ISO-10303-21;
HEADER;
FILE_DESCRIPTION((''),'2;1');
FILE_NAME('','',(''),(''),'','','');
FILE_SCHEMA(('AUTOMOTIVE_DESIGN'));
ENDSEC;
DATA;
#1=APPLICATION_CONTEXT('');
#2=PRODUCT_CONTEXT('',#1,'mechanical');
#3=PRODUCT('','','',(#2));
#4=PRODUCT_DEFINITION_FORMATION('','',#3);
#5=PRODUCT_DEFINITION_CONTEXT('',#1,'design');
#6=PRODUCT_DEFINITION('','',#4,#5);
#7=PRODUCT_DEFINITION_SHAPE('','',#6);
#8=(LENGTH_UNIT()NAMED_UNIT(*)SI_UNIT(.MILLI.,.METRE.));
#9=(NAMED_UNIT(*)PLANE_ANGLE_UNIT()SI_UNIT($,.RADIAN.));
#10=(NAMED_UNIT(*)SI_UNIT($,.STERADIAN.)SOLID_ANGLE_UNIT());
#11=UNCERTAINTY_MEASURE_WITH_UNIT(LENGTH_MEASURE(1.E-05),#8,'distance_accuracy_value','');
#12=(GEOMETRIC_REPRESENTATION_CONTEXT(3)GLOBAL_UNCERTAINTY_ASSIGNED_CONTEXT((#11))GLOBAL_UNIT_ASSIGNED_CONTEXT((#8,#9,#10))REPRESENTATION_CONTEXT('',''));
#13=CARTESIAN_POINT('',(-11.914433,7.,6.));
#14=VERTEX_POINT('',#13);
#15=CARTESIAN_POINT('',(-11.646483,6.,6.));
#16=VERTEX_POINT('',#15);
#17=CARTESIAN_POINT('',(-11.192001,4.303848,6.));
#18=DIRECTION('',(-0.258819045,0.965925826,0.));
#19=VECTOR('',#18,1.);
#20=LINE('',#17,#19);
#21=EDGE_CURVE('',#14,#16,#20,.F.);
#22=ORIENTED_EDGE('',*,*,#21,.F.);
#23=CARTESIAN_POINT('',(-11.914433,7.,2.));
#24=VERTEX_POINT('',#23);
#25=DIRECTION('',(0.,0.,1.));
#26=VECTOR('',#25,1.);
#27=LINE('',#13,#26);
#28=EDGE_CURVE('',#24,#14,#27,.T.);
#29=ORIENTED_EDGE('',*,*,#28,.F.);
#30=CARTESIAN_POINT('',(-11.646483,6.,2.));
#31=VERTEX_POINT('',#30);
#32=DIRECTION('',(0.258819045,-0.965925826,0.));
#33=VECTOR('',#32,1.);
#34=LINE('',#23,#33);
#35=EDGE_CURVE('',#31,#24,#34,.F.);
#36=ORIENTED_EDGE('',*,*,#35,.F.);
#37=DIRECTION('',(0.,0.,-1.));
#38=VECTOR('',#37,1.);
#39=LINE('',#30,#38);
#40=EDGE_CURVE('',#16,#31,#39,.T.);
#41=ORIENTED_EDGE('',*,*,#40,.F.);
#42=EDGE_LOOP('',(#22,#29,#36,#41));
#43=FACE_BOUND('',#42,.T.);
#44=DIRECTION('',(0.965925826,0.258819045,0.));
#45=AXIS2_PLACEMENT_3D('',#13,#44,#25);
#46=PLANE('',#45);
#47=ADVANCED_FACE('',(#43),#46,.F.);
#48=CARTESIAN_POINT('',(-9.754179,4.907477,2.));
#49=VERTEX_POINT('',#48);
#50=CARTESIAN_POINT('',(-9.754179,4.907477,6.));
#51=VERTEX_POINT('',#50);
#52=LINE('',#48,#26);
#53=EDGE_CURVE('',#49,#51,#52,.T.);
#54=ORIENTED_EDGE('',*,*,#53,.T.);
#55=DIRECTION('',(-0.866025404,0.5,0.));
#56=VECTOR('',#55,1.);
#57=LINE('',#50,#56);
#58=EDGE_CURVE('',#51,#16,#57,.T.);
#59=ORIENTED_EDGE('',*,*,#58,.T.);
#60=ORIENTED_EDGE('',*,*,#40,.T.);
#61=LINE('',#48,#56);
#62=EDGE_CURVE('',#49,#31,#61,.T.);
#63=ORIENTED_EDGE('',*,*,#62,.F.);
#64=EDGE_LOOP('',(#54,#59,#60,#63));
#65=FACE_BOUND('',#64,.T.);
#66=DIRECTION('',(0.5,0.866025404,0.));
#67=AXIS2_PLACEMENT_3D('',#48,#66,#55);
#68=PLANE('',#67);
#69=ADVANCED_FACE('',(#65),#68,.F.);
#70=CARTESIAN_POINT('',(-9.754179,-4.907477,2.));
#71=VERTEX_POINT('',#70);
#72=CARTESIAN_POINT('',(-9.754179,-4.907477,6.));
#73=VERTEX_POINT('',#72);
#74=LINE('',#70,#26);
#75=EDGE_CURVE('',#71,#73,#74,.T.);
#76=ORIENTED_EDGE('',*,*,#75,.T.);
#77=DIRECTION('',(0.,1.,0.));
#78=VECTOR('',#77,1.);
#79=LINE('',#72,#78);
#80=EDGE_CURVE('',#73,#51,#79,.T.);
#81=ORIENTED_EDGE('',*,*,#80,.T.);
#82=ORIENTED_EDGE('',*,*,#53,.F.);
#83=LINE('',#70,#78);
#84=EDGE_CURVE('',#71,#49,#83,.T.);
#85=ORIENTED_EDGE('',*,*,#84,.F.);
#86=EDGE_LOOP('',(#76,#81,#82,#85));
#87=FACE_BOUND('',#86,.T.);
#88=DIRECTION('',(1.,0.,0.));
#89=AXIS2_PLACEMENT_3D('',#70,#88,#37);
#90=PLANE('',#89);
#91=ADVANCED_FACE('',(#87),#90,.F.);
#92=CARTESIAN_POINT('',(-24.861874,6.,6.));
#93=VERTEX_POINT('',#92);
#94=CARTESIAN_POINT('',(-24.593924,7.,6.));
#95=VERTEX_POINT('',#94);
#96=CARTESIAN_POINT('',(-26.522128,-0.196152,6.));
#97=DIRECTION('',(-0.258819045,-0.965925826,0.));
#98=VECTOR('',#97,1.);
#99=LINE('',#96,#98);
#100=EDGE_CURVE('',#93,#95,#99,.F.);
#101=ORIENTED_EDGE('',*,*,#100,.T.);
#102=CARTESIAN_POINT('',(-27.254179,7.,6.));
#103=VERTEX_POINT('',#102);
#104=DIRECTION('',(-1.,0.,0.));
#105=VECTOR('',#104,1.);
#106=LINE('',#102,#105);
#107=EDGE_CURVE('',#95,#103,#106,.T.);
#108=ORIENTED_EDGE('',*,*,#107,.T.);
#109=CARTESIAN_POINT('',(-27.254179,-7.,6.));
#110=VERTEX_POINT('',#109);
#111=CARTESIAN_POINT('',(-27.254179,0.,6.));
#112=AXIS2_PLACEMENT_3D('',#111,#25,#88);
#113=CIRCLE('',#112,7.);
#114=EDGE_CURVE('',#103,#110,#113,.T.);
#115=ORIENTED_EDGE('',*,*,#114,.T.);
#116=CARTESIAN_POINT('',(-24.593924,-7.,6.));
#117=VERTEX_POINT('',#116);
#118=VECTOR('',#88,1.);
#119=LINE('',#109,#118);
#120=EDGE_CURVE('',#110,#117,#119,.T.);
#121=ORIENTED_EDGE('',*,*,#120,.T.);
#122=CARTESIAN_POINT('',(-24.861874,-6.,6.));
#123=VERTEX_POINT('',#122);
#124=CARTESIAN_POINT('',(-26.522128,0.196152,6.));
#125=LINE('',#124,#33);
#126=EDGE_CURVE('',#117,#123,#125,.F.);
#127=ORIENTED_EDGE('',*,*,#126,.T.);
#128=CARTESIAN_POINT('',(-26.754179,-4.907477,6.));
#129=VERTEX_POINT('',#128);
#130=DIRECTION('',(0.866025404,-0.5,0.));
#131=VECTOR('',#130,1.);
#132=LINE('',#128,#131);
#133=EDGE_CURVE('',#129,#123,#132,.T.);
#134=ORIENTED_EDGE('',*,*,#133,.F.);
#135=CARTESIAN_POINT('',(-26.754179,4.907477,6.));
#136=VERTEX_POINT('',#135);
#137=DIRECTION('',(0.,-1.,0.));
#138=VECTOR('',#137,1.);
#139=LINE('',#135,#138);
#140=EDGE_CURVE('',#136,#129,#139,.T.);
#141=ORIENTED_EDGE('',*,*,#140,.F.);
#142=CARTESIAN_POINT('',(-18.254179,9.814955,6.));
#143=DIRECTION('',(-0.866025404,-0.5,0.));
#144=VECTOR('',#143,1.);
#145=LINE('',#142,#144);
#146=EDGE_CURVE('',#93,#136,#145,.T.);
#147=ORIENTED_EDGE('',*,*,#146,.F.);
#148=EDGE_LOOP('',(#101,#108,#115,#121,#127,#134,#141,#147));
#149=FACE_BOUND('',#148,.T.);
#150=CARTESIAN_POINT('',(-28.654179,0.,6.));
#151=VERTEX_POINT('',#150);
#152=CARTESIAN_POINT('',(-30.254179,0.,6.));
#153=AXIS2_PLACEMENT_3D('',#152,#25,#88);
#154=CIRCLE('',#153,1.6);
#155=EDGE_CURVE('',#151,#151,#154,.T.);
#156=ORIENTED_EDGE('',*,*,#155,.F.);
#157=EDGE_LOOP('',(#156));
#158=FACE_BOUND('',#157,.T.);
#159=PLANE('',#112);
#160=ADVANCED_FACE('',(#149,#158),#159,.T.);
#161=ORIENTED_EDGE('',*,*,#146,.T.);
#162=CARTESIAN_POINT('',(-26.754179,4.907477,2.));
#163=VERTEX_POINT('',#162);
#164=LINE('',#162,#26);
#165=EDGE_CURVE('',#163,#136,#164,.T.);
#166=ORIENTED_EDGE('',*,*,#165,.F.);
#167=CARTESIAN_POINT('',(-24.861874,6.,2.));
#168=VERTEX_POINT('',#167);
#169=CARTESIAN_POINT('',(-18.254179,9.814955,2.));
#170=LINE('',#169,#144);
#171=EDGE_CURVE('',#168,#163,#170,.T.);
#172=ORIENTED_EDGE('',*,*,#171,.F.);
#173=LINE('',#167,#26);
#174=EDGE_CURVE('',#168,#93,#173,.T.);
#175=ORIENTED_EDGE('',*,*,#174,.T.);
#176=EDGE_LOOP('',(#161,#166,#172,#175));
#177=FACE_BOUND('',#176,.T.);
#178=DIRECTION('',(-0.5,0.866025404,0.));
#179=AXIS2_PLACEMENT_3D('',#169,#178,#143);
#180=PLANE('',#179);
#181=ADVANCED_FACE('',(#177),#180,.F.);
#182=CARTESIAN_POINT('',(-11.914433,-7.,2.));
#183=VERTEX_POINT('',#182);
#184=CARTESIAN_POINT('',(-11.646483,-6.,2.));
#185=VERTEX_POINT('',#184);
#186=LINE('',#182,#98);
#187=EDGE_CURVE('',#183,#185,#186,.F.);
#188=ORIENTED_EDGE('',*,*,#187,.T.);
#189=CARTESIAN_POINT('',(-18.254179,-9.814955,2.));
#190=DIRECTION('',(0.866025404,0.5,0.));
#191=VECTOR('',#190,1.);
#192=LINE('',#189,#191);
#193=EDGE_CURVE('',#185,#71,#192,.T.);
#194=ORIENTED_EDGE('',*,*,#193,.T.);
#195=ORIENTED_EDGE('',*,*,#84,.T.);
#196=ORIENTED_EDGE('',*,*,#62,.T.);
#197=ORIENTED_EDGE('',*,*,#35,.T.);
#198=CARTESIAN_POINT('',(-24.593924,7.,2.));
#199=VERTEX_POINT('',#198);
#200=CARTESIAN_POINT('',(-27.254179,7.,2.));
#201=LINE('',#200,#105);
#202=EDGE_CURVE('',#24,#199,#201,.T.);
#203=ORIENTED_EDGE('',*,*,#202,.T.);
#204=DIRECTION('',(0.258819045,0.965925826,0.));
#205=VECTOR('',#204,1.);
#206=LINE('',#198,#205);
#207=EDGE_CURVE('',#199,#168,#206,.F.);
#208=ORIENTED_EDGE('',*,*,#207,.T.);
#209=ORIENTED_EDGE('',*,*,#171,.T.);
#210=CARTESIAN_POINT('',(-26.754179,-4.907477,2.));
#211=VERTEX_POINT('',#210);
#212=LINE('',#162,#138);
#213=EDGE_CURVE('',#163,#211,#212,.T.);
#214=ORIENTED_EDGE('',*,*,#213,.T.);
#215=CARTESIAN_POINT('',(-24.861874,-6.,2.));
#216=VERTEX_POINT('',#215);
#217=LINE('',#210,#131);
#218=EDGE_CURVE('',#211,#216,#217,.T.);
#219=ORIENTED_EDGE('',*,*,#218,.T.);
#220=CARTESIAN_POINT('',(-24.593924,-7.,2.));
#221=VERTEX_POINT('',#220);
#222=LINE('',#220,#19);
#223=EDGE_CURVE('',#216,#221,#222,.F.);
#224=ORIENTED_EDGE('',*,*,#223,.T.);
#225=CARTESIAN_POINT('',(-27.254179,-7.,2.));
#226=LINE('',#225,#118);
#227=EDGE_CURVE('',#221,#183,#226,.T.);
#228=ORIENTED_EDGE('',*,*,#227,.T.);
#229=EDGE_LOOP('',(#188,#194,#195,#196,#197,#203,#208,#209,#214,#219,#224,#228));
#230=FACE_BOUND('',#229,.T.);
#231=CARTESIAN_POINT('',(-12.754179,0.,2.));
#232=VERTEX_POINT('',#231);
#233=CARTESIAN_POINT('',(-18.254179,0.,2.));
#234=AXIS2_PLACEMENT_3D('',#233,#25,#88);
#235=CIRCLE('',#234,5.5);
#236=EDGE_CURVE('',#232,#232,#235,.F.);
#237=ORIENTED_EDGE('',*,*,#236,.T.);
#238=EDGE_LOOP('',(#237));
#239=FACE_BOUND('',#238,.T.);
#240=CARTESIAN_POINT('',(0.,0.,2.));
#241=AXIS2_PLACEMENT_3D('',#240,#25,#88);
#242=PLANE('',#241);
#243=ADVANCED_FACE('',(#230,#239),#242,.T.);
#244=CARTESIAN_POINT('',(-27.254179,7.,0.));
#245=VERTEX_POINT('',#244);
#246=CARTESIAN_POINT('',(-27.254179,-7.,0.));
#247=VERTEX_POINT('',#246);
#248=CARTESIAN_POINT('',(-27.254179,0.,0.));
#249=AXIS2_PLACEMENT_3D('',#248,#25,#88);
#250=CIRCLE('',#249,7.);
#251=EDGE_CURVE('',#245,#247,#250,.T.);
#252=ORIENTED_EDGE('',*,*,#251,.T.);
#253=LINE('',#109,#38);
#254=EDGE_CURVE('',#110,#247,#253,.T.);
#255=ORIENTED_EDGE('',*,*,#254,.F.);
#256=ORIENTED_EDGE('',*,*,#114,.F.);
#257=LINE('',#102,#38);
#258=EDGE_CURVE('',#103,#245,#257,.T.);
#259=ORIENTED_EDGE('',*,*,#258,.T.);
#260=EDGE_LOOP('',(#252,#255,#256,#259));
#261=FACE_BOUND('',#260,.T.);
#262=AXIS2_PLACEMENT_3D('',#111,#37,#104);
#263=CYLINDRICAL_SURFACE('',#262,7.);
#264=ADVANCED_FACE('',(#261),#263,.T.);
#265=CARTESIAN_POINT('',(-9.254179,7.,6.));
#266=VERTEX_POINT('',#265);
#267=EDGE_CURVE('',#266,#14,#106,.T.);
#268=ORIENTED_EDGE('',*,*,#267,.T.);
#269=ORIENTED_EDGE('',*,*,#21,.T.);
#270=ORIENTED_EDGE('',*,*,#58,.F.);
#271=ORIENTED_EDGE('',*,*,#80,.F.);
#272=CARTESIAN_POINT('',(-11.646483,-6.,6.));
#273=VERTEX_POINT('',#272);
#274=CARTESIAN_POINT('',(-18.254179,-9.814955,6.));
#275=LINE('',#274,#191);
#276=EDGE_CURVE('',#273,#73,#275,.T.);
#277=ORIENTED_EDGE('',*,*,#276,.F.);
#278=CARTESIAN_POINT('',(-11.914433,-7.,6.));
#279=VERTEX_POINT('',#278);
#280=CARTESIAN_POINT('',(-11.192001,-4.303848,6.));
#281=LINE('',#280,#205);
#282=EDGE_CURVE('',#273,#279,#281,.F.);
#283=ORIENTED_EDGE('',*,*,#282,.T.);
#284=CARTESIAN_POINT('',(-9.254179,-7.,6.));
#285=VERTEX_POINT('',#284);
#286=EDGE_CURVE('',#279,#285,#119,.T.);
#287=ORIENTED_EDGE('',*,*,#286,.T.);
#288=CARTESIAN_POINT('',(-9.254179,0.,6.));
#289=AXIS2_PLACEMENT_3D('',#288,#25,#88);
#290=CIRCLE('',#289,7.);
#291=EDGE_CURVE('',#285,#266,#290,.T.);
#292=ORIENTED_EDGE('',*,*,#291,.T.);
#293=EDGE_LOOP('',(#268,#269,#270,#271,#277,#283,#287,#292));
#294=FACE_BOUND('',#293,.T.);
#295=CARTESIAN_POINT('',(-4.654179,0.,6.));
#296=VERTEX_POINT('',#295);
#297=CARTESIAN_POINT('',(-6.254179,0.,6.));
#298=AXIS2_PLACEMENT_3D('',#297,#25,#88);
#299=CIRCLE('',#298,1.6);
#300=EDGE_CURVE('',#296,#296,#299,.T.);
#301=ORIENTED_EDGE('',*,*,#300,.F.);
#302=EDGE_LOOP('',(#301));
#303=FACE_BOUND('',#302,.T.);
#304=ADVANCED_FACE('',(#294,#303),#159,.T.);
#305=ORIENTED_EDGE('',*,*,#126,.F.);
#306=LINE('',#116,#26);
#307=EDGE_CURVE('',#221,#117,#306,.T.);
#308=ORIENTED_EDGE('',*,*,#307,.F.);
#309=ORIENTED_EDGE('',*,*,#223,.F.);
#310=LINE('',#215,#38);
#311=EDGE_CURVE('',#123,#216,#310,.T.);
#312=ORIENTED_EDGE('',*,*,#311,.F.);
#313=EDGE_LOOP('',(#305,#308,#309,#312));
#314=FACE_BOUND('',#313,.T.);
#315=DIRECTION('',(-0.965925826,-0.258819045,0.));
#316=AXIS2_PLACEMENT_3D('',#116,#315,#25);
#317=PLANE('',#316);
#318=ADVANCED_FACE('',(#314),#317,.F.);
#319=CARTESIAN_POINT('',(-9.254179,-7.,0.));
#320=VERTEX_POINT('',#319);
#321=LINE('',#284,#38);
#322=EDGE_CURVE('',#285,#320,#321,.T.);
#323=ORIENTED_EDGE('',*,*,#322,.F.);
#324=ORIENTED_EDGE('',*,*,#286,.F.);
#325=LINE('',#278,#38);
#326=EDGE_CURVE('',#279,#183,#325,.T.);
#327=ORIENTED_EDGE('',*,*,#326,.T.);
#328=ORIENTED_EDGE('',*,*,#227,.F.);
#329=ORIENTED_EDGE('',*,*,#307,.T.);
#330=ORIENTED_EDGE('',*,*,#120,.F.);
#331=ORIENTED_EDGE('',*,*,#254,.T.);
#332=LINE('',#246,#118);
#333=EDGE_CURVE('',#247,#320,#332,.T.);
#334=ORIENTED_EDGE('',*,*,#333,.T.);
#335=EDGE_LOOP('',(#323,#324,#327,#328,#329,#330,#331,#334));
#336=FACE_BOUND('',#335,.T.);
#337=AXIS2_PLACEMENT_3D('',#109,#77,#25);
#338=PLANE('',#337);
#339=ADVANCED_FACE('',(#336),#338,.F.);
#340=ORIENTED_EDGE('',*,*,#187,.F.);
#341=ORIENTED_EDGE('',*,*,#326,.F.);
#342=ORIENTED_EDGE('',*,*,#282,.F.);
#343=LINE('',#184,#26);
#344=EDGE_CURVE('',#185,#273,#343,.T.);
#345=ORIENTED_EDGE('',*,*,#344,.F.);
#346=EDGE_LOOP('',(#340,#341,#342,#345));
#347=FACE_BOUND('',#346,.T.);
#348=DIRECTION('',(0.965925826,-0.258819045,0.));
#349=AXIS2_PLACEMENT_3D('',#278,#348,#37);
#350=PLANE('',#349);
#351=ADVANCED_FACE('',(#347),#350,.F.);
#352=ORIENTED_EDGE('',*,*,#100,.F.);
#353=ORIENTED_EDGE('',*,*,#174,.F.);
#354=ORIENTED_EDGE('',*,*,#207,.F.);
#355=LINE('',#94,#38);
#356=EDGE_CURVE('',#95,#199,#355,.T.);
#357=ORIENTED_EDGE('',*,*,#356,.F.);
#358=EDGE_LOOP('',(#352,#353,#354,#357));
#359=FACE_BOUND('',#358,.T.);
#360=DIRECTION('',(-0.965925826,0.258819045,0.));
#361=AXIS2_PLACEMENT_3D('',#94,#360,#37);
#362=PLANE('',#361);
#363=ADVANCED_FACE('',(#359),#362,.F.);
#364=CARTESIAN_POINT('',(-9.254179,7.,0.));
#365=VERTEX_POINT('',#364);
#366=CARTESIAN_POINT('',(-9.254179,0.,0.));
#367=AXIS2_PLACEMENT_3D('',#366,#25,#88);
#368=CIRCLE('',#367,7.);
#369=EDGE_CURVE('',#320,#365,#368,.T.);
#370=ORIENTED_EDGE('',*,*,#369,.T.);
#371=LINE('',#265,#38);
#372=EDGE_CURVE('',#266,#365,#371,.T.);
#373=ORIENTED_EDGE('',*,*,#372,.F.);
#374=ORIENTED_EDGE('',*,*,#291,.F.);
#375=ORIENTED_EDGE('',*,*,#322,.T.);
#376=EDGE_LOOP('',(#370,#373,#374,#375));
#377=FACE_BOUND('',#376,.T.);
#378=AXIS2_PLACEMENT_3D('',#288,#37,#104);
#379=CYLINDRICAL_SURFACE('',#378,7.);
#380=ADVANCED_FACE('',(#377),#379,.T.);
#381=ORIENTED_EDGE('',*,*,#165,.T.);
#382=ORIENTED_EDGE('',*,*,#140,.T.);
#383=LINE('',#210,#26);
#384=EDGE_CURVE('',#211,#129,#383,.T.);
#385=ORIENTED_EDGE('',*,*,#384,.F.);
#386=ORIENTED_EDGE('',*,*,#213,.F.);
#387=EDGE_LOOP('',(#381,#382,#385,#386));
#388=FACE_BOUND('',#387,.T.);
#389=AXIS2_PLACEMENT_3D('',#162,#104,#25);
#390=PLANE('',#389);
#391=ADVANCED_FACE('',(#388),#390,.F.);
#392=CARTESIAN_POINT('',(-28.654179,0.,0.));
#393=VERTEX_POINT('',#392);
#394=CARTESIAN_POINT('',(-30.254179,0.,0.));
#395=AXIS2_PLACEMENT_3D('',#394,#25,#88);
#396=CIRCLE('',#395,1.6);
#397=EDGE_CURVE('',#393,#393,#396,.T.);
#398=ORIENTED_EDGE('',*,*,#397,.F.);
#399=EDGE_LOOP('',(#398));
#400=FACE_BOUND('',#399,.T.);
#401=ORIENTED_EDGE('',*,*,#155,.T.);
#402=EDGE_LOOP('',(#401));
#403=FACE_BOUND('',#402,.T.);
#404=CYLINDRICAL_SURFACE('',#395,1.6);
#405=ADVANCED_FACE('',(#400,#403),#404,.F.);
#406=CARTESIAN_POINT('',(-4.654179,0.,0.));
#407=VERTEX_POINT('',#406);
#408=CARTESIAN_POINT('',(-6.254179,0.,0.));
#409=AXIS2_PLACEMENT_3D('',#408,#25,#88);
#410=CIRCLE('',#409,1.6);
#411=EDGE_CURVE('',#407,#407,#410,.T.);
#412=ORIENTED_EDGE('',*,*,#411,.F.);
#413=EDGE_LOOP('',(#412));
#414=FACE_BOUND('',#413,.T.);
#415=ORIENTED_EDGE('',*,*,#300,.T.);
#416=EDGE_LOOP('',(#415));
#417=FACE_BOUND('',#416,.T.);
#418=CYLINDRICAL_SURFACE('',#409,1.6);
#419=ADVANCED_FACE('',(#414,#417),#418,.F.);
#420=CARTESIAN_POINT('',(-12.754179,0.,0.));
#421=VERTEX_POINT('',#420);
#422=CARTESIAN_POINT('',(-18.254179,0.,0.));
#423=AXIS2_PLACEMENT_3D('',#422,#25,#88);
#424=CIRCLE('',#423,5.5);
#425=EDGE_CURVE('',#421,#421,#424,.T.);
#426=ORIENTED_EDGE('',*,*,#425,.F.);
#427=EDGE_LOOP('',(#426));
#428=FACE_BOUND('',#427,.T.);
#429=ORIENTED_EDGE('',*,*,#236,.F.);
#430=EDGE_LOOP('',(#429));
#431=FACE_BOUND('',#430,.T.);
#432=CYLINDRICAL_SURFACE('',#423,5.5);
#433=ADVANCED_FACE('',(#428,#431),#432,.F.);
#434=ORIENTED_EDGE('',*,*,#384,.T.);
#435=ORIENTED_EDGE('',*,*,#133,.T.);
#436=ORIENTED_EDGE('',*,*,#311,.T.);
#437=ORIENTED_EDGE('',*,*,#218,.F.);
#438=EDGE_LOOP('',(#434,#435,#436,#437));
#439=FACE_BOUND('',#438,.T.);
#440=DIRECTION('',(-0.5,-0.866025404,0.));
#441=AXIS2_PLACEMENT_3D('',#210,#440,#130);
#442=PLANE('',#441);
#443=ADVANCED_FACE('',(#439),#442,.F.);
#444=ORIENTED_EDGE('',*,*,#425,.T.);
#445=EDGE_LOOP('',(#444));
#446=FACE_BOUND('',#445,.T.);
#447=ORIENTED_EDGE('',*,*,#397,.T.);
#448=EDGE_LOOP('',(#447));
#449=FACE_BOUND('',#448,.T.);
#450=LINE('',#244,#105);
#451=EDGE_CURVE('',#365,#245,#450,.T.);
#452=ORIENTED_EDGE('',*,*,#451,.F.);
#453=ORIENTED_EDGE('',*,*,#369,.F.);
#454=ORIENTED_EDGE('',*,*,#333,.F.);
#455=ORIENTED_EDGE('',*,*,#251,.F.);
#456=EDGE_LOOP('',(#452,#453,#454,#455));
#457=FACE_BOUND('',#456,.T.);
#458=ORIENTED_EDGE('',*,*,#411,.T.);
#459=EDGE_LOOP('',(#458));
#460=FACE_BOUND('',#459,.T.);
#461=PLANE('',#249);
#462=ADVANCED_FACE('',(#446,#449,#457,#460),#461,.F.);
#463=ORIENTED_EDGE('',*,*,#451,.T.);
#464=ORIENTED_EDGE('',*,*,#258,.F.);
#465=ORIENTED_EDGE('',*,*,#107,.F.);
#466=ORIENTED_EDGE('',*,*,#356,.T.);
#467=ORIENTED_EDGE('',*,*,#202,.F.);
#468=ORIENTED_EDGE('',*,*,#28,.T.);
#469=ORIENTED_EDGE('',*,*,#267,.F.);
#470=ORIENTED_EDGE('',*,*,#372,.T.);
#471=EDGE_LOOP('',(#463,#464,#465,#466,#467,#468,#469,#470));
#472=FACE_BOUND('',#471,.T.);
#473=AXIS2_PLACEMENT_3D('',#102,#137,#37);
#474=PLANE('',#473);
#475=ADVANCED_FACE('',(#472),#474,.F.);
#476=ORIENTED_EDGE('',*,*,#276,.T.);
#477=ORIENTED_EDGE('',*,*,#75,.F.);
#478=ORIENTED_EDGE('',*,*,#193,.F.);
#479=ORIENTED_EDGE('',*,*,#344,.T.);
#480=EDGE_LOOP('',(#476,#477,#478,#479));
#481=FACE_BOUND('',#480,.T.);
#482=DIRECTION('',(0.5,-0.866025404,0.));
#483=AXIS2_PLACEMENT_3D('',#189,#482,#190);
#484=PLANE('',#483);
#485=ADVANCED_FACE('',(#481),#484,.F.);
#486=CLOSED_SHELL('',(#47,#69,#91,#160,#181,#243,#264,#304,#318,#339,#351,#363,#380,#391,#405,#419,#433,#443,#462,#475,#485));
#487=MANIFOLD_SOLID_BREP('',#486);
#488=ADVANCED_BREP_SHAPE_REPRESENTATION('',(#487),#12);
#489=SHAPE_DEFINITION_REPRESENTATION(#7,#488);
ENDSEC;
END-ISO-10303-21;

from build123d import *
from OCP.BRepFilletAPI import BRepFilletAPI_MakeChamfer

# Parameters (mm, degrees)
BOSS_EXTRU_1_DEPTH      = 6
ESQUISSE3_R             = 5.5
ESQUISSE3_R_2           = 1.6
ENL_V_MAT_EXTRU_1_DEPTH = 36.47321166
ENL_V_MAT_EXTRU_2_DEPTH = 4
CHAMFER1_SIZE           = 2
CHAMFER1_SIZE2          = 1.464101615


with BuildPart() as part:
    # Esquisse1 → Boss.-Extru.1 (new body)
    with BuildSketch(Plane.XY):
        with BuildLine():
            Line((-27.254178511, 7), (-9.254178511, 7))
            ThreePointArc((-9.254178511, 7), (-2.254178511, 0), (-9.254178511, -7))
            Line((-9.254178511, -7), (-27.254178511, -7))
            ThreePointArc((-27.254178511, -7), (-34.254178511, 0), (-27.254178511, 7))
        make_face()
    extrude(amount=BOSS_EXTRU_1_DEPTH)

    # Esquisse3 → Enlèv. mat.-Extru.1 (cut, through all)
    with BuildSketch(Plane.XY.offset(6)):
        with Locations((-18.254178511, 0)):
            Circle(ESQUISSE3_R)
        with Locations((-30.254178511, 0)):
            Circle(ESQUISSE3_R_2)
        with Locations((-6.254178511, 0)):
            Circle(ESQUISSE3_R_2)
    extrude(amount=-ENL_V_MAT_EXTRU_1_DEPTH, mode=Mode.SUBTRACT)

    # Esquisse4 → Enlèv. mat.-Extru.2 (cut)
    with BuildSketch(Plane.XY.offset(6)):
        Polygon((-9.754178511, -4.907477288), (-9.754178511, 4.907477288), (-18.254178511, 9.814954576), (-26.754178511, 4.907477288), (-26.754178511, -4.907477288), (-18.254178511, -9.814954576), align=None)
    extrude(amount=-ENL_V_MAT_EXTRU_2_DEPTH, mode=Mode.SUBTRACT)

    # Chamfer1: one chamfer whose edges measure the first distance from different faces: ONE call of the kernel's chamfer builder (chamfer() names one face for all edges)
    chamfer1_edges_1 = [part.edges().sort_by_distance(p)[0] for p in [
        (-13.378534164, -7, 4),
    ]]
    chamfer1_side_1 = [part.faces().sort_by_distance(p)[0] for p in [
        (-11.566356337, -5.953738644, 4),
    ]]
    chamfer1_edges_2 = [part.edges().sort_by_distance(p)[0] for p in [
        (-23.129822858, -7, 4),
    ]]
    chamfer1_side_2 = [part.faces().sort_by_distance(p)[0] for p in [
        (-24.942000685, -5.953738644, 4),
    ]]
    chamfer1_edges_3 = [part.edges().sort_by_distance(p)[0] for p in [
        (-23.129822858, 7, 4),
    ]]
    chamfer1_side_3 = [part.faces().sort_by_distance(p)[0] for p in [
        (-24.942000685, 5.953738644, 4),
    ]]
    chamfer1_edges_4 = [part.edges().sort_by_distance(p)[0] for p in [
        (-13.378534164, 7, 4),
    ]]
    chamfer1_side_4 = [part.faces().sort_by_distance(p)[0] for p in [
        (-11.566356337, 5.953738644, 4),
    ]]
    chamfer1 = BRepFilletAPI_MakeChamfer(part.part.solid().wrapped)
    for e in chamfer1_edges_1:
        chamfer1.Add(CHAMFER1_SIZE, CHAMFER1_SIZE2, e.wrapped, chamfer1_side_1[0].wrapped)  # the first distance lies on this face
    for e in chamfer1_edges_2:
        chamfer1.Add(CHAMFER1_SIZE, CHAMFER1_SIZE2, e.wrapped, chamfer1_side_2[0].wrapped)  # the first distance lies on this face
    for e in chamfer1_edges_3:
        chamfer1.Add(CHAMFER1_SIZE, CHAMFER1_SIZE2, e.wrapped, chamfer1_side_3[0].wrapped)  # the first distance lies on this face
    for e in chamfer1_edges_4:
        chamfer1.Add(CHAMFER1_SIZE, CHAMFER1_SIZE2, e.wrapped, chamfer1_side_4[0].wrapped)  # the first distance lies on this face
    add(Compound.cast(chamfer1.Shape()), mode=Mode.REPLACE)


solid = part.part
